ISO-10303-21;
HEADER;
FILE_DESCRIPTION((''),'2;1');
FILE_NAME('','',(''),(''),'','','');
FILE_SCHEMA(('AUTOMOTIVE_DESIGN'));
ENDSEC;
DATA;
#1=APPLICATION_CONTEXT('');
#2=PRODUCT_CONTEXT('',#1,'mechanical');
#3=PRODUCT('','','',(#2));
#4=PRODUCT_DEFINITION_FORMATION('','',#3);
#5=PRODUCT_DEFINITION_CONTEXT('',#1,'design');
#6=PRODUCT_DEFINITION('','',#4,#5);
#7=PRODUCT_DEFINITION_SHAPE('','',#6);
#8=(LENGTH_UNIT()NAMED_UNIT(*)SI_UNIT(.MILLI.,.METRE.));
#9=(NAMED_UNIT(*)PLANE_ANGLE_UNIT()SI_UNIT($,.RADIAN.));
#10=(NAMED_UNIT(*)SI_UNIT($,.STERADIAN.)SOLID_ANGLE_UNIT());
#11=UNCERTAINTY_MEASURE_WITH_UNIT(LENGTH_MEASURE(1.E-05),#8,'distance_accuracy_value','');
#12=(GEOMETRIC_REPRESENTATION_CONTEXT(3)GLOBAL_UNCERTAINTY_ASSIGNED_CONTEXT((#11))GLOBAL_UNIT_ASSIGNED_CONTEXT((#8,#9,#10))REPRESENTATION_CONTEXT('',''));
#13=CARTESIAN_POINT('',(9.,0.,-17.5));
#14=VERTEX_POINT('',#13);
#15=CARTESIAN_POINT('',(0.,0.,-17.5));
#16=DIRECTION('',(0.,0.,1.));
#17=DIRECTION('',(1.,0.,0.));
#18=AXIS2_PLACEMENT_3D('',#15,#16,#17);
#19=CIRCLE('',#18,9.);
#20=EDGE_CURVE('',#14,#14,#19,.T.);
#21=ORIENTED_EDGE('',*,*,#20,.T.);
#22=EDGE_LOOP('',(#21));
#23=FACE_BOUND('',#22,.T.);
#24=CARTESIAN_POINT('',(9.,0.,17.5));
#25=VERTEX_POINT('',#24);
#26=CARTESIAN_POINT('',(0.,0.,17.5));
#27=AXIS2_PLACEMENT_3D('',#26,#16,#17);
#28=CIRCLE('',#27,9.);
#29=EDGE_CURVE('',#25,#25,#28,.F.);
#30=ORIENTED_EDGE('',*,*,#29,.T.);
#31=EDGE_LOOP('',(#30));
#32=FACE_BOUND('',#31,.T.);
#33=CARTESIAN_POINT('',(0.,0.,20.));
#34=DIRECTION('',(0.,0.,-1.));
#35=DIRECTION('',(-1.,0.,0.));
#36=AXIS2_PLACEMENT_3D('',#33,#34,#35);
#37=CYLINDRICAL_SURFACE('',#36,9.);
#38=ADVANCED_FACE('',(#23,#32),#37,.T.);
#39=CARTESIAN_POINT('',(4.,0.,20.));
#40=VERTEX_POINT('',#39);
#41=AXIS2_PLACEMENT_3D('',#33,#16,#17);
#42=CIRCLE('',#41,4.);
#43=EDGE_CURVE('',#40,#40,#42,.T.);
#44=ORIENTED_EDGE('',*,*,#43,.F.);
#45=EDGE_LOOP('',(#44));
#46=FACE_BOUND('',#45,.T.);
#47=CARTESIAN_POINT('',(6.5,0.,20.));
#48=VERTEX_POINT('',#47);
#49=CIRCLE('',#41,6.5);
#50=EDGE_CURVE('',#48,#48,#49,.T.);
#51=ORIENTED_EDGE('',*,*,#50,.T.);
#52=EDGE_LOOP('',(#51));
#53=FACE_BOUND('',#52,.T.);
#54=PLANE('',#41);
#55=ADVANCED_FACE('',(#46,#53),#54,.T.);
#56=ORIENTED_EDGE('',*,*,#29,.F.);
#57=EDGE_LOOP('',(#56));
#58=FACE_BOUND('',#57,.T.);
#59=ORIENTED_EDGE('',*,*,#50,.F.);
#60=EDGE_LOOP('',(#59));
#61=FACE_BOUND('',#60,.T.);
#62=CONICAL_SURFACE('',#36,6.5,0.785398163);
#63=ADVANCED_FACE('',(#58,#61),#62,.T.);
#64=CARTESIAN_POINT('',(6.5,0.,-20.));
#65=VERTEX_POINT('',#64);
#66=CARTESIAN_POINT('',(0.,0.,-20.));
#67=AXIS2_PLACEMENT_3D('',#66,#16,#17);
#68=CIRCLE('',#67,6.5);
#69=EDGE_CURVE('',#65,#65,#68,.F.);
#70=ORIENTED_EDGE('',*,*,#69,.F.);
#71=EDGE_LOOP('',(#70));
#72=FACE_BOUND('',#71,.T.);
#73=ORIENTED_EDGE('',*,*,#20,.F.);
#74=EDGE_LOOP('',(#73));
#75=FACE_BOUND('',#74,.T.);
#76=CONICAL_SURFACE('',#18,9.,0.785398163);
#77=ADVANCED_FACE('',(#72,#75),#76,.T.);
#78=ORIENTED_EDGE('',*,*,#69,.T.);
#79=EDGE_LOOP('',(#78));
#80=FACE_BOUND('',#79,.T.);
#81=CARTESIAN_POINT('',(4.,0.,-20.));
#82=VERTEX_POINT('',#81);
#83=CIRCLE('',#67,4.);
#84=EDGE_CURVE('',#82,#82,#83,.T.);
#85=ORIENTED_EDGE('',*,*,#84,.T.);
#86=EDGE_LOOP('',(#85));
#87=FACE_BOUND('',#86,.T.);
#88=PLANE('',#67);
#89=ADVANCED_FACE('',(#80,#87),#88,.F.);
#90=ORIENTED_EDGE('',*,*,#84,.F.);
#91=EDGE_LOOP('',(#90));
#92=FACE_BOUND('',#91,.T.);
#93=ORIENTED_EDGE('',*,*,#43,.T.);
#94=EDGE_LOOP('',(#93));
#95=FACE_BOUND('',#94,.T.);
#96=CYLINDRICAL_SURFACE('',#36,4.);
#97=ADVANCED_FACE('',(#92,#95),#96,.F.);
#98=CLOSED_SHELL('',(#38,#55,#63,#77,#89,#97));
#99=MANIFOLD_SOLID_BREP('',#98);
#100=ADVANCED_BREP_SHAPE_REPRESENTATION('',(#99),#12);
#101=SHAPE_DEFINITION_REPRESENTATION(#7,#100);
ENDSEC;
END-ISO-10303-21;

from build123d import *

# Parameters (mm, degrees)
SKETCH1_R           = 9
SKETCH1_R_2         = 4
BOSS_EXTRUDE1_DEPTH = 20
CHAMFER1_SIZE       = 2.5


with BuildPart() as part:
    # Sketch1 → Boss-Extrude1 (new, symmetric)
    with BuildSketch(Plane.XY):
        Circle(SKETCH1_R)
        Circle(SKETCH1_R_2, mode=Mode.SUBTRACT)
    extrude(amount=BOSS_EXTRUDE1_DEPTH, both=True)

    # Chamfer1
    chamfer1_edges = [part.edges().sort_by_distance(p)[0] for p in [
        (-9, 0, -20),
        (-9, 0, 20),
    ]]
    chamfer(chamfer1_edges, length=CHAMFER1_SIZE)


solid = part.part
